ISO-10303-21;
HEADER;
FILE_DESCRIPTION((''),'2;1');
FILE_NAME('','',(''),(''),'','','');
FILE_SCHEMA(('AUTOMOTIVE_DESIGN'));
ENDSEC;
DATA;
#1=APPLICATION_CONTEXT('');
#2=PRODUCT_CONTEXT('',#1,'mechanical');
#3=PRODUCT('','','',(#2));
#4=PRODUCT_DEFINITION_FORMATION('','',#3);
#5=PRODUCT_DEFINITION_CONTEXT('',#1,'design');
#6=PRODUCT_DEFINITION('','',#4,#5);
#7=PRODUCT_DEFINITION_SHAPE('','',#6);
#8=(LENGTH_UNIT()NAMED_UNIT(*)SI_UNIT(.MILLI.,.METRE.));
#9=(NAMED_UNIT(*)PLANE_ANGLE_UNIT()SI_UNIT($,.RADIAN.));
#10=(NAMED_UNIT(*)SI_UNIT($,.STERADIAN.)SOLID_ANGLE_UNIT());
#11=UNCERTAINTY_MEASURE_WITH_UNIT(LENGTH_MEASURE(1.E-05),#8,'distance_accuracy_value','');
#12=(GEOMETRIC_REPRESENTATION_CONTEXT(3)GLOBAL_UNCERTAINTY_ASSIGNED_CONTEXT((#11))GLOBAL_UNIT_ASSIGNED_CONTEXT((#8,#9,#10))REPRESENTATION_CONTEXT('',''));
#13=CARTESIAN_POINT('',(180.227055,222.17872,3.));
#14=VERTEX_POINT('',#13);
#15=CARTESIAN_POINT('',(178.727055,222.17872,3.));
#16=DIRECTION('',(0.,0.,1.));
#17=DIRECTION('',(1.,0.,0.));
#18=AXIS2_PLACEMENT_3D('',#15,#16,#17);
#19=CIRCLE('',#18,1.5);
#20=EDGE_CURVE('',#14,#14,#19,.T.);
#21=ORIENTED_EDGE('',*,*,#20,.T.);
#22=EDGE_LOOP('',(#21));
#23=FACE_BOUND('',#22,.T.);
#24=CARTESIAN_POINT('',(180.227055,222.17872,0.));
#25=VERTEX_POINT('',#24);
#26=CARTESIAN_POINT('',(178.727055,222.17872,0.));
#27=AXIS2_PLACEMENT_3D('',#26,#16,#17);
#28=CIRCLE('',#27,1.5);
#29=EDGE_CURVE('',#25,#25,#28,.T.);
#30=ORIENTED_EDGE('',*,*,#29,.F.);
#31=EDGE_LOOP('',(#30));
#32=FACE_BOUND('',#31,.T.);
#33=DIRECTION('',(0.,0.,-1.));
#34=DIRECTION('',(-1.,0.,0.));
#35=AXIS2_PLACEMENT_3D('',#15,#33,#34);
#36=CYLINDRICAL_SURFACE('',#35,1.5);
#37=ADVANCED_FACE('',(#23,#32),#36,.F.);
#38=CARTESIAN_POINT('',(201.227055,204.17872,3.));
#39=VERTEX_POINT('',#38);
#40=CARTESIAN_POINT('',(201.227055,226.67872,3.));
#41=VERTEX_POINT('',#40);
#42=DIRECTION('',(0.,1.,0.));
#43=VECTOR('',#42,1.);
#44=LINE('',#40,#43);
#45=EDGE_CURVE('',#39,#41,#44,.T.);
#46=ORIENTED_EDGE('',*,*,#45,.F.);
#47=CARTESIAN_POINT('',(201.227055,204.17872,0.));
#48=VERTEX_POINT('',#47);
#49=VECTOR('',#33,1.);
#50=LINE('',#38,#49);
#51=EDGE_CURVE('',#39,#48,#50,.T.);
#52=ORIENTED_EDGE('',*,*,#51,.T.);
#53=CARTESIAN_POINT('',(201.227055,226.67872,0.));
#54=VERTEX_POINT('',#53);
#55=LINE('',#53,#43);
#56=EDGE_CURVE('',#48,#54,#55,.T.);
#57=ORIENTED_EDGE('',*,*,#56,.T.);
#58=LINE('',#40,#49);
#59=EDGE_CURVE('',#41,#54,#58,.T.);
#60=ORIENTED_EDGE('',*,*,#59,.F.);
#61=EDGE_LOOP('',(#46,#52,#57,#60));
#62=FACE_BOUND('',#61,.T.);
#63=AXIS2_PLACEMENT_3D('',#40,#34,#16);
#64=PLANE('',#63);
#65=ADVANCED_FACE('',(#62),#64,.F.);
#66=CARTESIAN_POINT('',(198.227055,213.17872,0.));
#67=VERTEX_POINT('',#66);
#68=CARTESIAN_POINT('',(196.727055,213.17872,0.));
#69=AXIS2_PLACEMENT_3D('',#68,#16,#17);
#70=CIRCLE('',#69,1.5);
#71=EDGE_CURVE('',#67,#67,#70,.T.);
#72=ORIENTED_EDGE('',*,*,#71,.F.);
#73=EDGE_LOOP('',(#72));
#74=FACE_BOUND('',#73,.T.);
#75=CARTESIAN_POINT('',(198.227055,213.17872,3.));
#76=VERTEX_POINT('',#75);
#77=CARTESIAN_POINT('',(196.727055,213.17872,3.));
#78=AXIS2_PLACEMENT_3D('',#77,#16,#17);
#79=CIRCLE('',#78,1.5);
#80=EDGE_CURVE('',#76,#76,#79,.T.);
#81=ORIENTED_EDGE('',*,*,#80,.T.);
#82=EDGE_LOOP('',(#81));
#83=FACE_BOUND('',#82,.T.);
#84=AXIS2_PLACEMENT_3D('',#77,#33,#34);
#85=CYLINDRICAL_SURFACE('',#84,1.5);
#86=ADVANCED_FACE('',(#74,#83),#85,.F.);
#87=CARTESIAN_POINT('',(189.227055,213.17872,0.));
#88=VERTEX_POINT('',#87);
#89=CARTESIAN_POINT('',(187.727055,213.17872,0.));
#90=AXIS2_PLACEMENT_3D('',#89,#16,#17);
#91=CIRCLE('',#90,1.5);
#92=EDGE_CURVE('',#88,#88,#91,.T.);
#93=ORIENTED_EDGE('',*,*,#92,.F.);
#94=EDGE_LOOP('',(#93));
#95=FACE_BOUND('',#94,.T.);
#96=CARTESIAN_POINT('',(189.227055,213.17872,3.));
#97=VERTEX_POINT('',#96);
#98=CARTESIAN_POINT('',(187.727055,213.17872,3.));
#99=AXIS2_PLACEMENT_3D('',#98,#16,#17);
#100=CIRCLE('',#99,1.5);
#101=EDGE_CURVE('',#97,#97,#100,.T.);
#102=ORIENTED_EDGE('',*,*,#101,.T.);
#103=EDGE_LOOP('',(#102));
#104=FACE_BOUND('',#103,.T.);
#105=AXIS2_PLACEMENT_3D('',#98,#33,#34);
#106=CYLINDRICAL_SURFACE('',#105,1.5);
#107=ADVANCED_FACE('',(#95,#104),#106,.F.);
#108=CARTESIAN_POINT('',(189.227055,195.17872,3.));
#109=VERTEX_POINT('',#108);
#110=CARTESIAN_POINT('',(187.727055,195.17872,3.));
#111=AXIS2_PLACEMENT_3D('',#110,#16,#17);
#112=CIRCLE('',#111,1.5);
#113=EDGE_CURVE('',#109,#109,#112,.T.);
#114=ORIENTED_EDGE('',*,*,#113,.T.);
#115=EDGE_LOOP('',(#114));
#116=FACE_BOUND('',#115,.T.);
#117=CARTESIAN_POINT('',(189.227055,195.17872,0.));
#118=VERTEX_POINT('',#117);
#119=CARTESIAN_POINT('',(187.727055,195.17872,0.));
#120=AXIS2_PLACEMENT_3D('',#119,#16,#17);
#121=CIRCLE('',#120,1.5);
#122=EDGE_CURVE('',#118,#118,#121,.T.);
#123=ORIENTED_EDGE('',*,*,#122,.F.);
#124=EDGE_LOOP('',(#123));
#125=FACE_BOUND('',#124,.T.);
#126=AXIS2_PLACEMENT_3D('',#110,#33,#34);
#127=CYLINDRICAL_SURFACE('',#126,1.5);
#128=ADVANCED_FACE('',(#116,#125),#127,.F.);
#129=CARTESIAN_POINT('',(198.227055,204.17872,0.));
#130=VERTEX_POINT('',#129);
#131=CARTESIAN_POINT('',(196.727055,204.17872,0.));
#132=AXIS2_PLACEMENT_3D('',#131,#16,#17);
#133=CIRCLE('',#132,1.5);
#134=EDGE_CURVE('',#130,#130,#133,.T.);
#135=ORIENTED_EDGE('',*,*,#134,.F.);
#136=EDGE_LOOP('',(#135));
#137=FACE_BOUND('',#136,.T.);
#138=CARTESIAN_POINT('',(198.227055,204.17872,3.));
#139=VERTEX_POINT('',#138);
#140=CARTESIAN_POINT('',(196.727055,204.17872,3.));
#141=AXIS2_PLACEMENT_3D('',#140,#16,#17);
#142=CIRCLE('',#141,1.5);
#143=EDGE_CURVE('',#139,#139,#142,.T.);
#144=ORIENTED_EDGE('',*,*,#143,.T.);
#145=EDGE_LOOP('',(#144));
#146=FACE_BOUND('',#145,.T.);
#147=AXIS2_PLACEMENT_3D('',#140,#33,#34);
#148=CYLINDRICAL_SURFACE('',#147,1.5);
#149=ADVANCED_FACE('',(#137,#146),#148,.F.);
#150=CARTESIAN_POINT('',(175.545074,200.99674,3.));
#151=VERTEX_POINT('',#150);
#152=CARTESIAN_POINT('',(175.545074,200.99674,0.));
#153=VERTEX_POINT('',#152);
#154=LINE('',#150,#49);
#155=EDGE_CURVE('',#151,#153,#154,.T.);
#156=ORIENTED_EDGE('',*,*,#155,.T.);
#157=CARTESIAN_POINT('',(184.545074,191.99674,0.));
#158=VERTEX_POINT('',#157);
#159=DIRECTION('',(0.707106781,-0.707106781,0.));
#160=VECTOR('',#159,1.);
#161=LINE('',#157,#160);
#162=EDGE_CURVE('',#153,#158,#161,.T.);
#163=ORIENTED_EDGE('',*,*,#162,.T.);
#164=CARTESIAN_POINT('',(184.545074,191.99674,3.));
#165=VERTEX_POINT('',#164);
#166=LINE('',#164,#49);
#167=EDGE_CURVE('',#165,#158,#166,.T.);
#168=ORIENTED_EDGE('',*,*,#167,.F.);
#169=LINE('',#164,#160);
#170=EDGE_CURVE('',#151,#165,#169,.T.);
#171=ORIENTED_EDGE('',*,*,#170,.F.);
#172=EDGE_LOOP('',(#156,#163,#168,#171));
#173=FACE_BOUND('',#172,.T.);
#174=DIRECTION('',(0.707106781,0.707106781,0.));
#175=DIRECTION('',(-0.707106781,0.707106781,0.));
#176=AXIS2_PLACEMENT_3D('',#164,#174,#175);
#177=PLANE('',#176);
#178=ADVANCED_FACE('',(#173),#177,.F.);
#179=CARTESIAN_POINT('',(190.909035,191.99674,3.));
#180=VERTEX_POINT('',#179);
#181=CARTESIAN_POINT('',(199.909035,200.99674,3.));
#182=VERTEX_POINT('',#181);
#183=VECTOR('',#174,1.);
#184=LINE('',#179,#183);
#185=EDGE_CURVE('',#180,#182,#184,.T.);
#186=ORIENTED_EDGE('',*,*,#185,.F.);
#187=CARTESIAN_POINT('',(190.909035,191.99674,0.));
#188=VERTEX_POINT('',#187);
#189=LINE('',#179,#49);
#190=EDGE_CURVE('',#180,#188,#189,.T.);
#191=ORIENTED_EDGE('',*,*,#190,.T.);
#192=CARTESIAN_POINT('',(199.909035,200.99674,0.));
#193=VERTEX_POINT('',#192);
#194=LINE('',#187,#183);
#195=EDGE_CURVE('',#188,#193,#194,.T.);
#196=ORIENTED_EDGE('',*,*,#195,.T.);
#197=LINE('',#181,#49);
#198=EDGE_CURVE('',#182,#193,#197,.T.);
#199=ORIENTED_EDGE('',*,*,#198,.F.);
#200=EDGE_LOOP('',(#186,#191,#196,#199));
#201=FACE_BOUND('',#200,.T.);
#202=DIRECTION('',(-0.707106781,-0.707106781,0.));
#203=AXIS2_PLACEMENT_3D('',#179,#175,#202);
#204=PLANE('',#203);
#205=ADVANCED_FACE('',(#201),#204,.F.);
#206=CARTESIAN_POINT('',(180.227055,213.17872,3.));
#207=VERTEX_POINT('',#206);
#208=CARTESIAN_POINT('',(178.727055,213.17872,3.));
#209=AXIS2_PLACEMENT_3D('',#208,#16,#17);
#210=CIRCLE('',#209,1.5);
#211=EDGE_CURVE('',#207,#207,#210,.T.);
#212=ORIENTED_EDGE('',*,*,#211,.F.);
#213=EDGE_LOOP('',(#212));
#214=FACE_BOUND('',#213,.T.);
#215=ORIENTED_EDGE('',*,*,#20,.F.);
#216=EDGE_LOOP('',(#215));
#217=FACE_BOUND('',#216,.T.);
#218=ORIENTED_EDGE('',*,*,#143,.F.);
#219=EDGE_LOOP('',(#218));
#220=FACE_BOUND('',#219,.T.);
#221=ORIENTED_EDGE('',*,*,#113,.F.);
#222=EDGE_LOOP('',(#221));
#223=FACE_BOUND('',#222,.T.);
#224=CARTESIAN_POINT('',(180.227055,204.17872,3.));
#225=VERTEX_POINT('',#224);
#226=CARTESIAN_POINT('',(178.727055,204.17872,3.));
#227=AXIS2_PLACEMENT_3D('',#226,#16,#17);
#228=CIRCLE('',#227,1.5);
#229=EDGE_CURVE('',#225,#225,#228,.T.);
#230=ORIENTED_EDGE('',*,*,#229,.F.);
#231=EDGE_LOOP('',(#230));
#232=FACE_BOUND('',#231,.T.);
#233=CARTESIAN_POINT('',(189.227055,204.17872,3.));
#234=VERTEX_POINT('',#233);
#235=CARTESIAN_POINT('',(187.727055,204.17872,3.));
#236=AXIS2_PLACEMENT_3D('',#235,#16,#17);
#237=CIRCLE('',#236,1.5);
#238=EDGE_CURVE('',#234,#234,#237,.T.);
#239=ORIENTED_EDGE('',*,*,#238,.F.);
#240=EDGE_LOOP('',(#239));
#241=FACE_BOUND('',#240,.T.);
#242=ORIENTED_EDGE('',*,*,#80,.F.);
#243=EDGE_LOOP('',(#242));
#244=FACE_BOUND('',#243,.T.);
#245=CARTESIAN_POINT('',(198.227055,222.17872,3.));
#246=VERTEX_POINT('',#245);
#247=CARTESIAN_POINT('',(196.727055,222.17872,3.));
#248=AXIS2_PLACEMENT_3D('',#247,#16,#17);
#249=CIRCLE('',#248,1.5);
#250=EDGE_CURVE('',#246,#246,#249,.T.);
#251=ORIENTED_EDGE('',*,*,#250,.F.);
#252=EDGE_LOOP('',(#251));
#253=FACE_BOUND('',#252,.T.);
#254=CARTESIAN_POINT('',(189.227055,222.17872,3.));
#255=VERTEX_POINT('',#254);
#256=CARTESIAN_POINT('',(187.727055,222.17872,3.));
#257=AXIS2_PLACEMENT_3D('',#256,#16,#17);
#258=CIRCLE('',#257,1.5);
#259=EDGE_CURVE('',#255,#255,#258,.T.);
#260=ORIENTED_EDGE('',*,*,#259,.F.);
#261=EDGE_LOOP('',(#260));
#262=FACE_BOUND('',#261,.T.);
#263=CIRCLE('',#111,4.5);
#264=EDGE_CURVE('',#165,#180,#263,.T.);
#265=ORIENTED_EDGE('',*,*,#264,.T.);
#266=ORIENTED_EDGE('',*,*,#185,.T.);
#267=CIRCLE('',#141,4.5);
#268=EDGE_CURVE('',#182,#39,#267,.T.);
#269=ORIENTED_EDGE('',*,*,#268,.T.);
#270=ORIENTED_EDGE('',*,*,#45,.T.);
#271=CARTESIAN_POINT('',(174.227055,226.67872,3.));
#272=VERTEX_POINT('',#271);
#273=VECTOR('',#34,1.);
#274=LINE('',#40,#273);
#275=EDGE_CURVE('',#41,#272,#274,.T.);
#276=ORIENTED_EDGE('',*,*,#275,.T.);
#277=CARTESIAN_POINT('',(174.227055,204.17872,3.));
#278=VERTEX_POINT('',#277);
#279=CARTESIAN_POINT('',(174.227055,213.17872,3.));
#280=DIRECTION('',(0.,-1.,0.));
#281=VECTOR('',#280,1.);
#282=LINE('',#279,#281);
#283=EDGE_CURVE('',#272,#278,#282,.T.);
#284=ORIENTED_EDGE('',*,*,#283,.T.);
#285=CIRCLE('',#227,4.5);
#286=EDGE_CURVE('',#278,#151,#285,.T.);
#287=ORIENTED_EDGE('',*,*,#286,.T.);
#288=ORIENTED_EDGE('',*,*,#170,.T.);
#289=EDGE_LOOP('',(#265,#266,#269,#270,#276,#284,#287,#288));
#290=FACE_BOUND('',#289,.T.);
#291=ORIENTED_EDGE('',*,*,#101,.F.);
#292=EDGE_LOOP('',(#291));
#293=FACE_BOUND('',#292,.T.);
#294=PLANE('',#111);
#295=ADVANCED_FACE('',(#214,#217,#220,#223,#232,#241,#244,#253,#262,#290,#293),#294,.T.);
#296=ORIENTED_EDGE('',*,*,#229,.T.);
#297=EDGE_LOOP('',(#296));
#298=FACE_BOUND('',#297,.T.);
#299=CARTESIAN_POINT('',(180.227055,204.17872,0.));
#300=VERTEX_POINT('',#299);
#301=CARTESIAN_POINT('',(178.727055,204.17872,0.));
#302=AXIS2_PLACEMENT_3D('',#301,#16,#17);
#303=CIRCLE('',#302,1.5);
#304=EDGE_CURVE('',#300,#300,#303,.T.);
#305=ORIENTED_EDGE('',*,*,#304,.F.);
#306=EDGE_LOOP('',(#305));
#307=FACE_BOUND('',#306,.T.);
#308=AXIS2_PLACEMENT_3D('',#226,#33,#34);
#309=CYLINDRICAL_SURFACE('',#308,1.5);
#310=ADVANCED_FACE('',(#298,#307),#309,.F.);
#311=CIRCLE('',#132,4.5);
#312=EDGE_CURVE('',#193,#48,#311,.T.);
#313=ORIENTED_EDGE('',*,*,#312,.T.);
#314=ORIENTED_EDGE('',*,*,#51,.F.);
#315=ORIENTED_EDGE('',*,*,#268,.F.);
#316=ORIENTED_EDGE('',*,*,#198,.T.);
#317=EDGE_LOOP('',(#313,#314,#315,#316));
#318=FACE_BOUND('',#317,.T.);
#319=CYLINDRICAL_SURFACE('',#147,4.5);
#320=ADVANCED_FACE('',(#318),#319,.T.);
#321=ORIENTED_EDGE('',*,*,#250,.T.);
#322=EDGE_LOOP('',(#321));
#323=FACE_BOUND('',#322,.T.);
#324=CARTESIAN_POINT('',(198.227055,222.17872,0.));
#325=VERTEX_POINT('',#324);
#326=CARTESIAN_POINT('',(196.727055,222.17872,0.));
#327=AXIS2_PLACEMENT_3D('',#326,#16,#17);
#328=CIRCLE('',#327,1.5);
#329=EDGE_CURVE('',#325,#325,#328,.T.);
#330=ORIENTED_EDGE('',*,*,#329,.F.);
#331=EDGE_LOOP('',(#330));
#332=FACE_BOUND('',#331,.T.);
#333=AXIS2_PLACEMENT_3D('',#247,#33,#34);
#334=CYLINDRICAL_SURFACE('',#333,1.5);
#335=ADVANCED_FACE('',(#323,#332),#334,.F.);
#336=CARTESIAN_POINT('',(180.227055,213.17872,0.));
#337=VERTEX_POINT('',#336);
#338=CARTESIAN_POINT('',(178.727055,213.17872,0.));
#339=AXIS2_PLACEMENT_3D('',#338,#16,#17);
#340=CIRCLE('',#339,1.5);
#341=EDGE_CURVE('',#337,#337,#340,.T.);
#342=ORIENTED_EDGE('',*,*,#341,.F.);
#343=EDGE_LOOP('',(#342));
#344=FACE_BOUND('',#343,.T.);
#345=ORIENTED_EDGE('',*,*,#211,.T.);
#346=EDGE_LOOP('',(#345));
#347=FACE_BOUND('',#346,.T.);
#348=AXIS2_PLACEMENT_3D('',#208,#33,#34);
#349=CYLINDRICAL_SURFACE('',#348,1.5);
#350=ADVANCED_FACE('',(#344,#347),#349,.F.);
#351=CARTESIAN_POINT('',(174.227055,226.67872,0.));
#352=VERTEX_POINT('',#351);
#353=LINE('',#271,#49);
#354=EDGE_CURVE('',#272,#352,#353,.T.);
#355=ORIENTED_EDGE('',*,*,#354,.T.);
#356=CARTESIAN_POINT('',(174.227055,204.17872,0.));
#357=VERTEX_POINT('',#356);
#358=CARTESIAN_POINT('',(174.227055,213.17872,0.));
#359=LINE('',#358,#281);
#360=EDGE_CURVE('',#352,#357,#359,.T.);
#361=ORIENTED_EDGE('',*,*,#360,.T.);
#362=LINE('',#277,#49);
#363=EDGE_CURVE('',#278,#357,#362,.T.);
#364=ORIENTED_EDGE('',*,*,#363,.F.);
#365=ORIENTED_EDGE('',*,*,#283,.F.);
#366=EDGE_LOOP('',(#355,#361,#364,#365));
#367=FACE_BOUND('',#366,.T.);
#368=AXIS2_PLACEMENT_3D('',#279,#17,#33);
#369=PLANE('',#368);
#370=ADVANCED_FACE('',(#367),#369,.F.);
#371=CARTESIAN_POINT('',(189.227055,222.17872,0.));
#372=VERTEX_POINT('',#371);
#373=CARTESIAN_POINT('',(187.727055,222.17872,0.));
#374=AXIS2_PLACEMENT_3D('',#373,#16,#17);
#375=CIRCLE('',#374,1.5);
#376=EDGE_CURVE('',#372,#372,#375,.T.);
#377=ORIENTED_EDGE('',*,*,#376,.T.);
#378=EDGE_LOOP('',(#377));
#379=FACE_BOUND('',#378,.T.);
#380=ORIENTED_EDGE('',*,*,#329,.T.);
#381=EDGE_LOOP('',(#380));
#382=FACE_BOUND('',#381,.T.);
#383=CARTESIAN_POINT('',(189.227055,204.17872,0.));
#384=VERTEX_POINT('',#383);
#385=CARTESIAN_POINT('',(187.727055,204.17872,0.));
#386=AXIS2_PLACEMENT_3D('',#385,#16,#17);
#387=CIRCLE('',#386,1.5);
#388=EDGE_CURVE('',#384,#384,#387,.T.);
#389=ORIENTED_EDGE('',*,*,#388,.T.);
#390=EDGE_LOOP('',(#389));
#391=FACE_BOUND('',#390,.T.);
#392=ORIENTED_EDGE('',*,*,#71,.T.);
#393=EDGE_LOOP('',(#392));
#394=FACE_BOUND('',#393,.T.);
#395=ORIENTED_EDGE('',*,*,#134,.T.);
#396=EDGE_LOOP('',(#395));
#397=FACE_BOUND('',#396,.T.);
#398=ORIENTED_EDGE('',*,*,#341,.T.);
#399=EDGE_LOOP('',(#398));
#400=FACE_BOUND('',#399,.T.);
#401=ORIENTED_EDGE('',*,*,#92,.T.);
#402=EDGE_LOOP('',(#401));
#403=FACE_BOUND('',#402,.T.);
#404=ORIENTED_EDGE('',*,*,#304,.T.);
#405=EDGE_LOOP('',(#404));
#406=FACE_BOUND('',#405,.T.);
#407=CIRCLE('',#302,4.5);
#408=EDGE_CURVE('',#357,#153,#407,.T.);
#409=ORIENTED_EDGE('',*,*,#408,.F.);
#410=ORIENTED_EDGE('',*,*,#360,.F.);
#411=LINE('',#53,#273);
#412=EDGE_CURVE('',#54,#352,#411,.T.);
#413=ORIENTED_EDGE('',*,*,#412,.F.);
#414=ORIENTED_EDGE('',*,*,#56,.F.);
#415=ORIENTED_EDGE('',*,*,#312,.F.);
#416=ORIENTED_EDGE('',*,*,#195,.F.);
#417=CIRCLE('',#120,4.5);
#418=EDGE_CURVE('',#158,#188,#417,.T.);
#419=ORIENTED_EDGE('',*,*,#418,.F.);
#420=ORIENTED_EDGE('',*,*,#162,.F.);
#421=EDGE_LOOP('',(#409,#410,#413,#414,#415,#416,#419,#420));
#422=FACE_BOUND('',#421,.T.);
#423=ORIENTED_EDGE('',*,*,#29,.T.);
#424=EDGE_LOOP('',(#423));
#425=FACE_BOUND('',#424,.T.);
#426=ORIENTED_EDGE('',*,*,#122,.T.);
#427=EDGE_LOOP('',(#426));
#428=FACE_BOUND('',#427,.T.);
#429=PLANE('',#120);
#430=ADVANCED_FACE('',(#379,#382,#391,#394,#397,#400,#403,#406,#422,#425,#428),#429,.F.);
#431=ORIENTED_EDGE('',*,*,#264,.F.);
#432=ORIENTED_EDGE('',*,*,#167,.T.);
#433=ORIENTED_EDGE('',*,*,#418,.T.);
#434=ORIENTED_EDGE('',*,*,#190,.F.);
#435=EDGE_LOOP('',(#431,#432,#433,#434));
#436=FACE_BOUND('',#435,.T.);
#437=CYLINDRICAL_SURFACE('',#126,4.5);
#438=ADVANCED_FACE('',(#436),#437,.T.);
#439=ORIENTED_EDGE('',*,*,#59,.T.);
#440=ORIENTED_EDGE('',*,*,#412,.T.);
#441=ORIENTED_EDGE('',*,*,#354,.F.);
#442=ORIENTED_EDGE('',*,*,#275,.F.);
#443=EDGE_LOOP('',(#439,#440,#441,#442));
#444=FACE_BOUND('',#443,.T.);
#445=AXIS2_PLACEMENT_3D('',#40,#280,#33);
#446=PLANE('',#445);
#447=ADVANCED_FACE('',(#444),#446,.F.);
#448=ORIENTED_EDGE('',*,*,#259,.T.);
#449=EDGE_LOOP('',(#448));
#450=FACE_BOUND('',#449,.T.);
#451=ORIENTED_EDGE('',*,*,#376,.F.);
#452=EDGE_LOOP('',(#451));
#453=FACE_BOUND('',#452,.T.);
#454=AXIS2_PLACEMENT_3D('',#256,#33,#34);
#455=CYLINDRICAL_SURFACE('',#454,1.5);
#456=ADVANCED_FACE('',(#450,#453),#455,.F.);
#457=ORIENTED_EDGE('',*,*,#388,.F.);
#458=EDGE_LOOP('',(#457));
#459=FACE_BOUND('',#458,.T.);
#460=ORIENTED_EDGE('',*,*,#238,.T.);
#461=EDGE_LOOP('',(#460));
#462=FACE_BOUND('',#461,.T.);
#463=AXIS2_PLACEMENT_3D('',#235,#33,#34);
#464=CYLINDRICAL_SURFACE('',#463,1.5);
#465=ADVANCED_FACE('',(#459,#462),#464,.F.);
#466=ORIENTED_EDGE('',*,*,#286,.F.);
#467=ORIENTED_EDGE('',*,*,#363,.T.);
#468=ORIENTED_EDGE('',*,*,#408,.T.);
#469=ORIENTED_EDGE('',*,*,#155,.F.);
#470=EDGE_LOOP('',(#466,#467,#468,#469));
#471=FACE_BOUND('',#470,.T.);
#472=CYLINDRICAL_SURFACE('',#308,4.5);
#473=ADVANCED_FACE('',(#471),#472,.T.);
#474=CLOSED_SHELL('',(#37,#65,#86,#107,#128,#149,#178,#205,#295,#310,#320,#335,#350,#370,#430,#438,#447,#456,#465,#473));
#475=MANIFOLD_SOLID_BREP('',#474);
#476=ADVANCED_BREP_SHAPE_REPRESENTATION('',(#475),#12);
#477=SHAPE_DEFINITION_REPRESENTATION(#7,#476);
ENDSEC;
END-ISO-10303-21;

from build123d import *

# Parameters (mm, degrees)
MODEL_R                 = 1.5
SALIENTE_EXTRUIR1_DEPTH = 3


with BuildPart() as part:
    # Model → Saliente-Extruir1 (new body)
    with BuildSketch(Plane.XY):
        with BuildLine():
            Line((174.227054575, 213.178720063), (174.227054575, 204.178720063))
            ThreePointArc((174.227054575, 204.178720063), (174.569596678, 202.456644617), (175.545074059, 200.996739548))
            Line((175.545074059, 200.996739548), (184.545074059, 191.996739548))
            ThreePointArc((184.545074059, 191.996739548), (187.727054575, 190.678720063), (190.90903509, 191.996739548))
            Line((190.90903509, 191.996739548), (199.90903509, 200.996739548))
            ThreePointArc((199.90903509, 200.996739548), (200.884512471, 202.456644617), (201.227054575, 204.178720063))
            Line((201.227054575, 204.178720063), (201.227054575, 226.678720063))
            Line((201.227054575, 226.678720063), (174.227054575, 226.678720063))
            Line((174.227054575, 226.678720063), (174.227054575, 213.178720063))
        make_face()
        with Locations((187.727054575, 204.178720063)):
            Circle(MODEL_R, mode=Mode.SUBTRACT)
        with Locations((178.727054575, 204.178720063)):
            Circle(MODEL_R, mode=Mode.SUBTRACT)
        with Locations((187.727054575, 213.178720063)):
            Circle(MODEL_R, mode=Mode.SUBTRACT)
        with Locations((178.727054575, 213.178720063)):
            Circle(MODEL_R, mode=Mode.SUBTRACT)
        with Locations((196.727054575, 213.178720063)):
            Circle(MODEL_R, mode=Mode.SUBTRACT)
        with Locations((187.727054575, 195.178720063)):
            Circle(MODEL_R, mode=Mode.SUBTRACT)
        with Locations((196.727054575, 204.178720063)):
            Circle(MODEL_R, mode=Mode.SUBTRACT)
        with Locations((187.727054575, 222.178720063)):
            Circle(MODEL_R, mode=Mode.SUBTRACT)
        with Locations((178.727054575, 222.178720063)):
            Circle(MODEL_R, mode=Mode.SUBTRACT)
        with Locations((196.727054575, 222.178720063)):
            Circle(MODEL_R, mode=Mode.SUBTRACT)
    extrude(amount=SALIENTE_EXTRUIR1_DEPTH)


solid = part.part
